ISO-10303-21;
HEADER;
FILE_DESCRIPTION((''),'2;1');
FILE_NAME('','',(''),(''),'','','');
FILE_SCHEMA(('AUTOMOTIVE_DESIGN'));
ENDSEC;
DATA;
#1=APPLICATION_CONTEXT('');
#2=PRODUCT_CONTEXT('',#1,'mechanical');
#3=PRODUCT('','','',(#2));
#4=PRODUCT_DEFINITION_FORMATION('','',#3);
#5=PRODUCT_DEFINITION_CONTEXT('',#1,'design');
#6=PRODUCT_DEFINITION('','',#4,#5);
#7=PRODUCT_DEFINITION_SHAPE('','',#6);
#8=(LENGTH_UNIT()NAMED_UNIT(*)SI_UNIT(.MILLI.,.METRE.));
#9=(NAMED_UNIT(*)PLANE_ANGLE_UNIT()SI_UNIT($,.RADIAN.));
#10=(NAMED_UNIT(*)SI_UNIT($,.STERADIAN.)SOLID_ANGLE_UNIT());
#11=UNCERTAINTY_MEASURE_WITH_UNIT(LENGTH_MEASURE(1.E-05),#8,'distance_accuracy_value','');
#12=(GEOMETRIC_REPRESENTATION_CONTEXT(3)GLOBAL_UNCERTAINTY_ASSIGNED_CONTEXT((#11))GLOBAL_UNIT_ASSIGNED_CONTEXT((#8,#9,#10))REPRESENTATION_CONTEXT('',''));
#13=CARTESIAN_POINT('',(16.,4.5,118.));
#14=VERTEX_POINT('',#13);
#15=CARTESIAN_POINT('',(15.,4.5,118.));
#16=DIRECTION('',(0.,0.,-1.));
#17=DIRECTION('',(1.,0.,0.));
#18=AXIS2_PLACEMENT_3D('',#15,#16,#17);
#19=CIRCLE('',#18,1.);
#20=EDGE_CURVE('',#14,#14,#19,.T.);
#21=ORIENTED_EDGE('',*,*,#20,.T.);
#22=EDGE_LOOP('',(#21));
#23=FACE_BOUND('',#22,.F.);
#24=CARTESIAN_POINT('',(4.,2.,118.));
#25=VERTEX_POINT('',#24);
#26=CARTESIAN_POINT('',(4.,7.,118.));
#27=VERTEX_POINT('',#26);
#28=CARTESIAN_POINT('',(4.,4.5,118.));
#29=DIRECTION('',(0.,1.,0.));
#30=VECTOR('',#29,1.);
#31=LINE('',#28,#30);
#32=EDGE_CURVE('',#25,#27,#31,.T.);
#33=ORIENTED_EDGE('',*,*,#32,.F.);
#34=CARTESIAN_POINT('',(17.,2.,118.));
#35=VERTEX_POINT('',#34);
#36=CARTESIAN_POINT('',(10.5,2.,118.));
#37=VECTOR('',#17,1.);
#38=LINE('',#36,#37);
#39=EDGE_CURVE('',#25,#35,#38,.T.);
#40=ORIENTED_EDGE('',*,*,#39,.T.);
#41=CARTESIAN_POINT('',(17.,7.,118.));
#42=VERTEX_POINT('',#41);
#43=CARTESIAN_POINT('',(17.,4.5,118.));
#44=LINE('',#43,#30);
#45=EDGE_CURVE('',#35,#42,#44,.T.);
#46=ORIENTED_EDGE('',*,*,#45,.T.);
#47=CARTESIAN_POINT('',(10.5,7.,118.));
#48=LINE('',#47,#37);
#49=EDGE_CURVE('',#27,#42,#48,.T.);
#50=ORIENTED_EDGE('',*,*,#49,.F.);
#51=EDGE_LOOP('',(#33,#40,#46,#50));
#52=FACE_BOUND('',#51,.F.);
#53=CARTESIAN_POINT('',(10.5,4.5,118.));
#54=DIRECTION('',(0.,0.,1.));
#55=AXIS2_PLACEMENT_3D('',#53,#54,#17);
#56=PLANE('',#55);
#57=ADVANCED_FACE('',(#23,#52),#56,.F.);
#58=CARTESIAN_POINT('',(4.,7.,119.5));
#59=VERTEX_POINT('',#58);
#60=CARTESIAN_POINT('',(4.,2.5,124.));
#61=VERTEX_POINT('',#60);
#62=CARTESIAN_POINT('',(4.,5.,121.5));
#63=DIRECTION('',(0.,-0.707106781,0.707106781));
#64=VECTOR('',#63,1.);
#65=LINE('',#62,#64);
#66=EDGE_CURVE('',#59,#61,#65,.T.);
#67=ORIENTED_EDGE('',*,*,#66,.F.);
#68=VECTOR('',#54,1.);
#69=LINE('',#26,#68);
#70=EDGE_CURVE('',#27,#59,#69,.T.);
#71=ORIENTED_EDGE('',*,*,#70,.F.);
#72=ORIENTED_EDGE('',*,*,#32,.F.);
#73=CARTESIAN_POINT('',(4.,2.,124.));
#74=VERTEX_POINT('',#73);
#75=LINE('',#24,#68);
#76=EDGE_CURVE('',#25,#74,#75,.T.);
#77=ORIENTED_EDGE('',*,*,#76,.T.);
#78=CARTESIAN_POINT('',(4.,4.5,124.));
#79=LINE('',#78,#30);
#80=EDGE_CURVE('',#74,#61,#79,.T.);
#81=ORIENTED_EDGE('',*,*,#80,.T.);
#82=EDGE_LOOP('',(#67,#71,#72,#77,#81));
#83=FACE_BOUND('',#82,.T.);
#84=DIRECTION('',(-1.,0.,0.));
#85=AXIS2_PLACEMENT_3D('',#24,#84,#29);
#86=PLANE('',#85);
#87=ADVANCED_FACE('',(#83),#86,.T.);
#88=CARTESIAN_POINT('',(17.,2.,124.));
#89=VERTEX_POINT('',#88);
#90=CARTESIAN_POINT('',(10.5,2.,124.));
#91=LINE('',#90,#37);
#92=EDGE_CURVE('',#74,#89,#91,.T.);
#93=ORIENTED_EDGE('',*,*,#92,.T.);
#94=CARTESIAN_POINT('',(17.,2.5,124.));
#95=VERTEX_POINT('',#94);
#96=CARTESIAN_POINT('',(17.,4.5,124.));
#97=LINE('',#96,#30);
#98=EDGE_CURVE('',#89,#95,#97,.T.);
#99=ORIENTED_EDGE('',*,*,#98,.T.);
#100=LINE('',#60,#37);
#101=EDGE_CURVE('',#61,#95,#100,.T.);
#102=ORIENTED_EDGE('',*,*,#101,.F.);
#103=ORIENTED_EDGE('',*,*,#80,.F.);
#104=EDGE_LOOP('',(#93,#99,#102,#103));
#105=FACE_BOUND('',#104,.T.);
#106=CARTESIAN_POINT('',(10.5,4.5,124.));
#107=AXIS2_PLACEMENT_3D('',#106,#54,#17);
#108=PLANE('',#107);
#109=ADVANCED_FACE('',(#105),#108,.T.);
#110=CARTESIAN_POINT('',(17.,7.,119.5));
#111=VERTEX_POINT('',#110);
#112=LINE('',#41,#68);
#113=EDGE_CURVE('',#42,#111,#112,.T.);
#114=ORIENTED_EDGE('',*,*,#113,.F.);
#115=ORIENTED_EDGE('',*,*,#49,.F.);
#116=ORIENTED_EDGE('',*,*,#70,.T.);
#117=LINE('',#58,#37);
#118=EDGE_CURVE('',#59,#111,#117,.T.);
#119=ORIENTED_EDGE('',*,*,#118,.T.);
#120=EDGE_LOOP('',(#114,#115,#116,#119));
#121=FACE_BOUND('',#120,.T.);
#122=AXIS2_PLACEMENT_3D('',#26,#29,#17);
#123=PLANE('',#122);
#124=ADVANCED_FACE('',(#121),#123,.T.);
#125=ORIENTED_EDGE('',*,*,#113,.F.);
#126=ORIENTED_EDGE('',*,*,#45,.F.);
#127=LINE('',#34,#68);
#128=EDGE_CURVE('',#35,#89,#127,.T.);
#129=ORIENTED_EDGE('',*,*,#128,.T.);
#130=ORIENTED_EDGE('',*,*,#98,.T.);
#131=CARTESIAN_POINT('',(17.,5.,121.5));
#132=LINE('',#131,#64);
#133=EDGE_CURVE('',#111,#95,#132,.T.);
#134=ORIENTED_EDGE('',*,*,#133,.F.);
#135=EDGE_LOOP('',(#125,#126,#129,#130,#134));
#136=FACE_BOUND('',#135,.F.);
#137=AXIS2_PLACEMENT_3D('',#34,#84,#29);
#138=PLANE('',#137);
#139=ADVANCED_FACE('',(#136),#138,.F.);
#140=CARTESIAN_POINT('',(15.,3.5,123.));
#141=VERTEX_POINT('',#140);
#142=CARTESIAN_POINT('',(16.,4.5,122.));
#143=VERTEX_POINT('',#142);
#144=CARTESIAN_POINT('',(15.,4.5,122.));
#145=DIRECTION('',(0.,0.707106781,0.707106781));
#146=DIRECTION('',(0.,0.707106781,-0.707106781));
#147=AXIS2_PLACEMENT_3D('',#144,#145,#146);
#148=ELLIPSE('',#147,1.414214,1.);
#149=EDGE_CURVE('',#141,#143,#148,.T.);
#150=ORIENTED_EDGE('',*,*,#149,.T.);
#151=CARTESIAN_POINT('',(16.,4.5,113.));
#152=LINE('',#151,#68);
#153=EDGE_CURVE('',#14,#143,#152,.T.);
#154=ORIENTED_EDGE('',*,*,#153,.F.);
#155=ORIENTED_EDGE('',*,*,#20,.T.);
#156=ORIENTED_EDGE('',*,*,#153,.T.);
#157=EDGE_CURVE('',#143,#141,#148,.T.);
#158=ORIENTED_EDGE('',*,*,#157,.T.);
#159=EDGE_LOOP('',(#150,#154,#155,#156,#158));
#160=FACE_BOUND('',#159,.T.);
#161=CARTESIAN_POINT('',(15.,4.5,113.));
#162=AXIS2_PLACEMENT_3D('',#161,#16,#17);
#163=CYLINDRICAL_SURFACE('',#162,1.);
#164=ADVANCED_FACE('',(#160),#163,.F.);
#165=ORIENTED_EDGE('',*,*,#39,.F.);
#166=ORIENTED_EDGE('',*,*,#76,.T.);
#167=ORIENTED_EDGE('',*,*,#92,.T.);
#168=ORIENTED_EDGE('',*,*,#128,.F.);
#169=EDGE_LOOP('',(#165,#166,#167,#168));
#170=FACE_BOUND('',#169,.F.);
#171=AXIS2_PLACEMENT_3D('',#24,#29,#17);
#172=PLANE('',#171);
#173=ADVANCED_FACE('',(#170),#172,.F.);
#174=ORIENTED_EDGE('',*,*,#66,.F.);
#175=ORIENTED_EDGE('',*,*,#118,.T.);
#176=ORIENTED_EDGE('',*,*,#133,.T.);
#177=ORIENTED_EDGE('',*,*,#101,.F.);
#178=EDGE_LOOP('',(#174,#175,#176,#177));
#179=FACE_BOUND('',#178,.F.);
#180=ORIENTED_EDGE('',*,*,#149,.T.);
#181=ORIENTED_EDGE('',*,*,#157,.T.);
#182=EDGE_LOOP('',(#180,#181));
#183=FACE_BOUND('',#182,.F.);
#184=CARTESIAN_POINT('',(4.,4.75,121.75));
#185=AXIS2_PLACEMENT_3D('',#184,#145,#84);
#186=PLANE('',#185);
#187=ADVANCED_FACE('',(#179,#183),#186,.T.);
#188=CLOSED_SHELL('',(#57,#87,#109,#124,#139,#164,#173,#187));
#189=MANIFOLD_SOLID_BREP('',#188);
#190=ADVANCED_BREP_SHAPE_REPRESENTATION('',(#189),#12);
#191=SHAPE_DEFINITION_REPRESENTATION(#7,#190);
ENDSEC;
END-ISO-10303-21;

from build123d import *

# Parameters (mm, degrees)
CYLINDER010_R     = 1
CYLINDER010_DEPTH = 10
BOX017_W          = 13
BOX017_H          = 5
BOX017_DEPTH      = 6
CHAMFER001_SIZE   = 4.5


with BuildPart() as cilindro010:
    # Cylinder010 → Cylinder010 (new body)
    with BuildSketch(Plane(origin=(15, 4.5, 113), x_dir=(1, 0, 0), z_dir=(0, 0, 1))):
        Circle(CYLINDER010_R)
    extrude(amount=CYLINDER010_DEPTH)


with BuildPart() as sim:
    # Box017 → Box017 (new body)
    with BuildSketch(Plane(origin=(4, 2, 118), x_dir=(1, 0, 0), z_dir=(0, 0, 1))):
        with Locations((6.5, 2.5)):
            Rectangle(BOX017_W, BOX017_H)
    extrude(amount=BOX017_DEPTH)

    # Chamfer001
    chamfer001_edges = [sim.edges().sort_by_distance(p)[0] for p in [
        (10.5, 7, 124),
    ]]
    chamfer(chamfer001_edges, length=CHAMFER001_SIZE)

    # Cut030: cut Cilindro010
    add(cilindro010.part, mode=Mode.SUBTRACT)


solid = sim.part
